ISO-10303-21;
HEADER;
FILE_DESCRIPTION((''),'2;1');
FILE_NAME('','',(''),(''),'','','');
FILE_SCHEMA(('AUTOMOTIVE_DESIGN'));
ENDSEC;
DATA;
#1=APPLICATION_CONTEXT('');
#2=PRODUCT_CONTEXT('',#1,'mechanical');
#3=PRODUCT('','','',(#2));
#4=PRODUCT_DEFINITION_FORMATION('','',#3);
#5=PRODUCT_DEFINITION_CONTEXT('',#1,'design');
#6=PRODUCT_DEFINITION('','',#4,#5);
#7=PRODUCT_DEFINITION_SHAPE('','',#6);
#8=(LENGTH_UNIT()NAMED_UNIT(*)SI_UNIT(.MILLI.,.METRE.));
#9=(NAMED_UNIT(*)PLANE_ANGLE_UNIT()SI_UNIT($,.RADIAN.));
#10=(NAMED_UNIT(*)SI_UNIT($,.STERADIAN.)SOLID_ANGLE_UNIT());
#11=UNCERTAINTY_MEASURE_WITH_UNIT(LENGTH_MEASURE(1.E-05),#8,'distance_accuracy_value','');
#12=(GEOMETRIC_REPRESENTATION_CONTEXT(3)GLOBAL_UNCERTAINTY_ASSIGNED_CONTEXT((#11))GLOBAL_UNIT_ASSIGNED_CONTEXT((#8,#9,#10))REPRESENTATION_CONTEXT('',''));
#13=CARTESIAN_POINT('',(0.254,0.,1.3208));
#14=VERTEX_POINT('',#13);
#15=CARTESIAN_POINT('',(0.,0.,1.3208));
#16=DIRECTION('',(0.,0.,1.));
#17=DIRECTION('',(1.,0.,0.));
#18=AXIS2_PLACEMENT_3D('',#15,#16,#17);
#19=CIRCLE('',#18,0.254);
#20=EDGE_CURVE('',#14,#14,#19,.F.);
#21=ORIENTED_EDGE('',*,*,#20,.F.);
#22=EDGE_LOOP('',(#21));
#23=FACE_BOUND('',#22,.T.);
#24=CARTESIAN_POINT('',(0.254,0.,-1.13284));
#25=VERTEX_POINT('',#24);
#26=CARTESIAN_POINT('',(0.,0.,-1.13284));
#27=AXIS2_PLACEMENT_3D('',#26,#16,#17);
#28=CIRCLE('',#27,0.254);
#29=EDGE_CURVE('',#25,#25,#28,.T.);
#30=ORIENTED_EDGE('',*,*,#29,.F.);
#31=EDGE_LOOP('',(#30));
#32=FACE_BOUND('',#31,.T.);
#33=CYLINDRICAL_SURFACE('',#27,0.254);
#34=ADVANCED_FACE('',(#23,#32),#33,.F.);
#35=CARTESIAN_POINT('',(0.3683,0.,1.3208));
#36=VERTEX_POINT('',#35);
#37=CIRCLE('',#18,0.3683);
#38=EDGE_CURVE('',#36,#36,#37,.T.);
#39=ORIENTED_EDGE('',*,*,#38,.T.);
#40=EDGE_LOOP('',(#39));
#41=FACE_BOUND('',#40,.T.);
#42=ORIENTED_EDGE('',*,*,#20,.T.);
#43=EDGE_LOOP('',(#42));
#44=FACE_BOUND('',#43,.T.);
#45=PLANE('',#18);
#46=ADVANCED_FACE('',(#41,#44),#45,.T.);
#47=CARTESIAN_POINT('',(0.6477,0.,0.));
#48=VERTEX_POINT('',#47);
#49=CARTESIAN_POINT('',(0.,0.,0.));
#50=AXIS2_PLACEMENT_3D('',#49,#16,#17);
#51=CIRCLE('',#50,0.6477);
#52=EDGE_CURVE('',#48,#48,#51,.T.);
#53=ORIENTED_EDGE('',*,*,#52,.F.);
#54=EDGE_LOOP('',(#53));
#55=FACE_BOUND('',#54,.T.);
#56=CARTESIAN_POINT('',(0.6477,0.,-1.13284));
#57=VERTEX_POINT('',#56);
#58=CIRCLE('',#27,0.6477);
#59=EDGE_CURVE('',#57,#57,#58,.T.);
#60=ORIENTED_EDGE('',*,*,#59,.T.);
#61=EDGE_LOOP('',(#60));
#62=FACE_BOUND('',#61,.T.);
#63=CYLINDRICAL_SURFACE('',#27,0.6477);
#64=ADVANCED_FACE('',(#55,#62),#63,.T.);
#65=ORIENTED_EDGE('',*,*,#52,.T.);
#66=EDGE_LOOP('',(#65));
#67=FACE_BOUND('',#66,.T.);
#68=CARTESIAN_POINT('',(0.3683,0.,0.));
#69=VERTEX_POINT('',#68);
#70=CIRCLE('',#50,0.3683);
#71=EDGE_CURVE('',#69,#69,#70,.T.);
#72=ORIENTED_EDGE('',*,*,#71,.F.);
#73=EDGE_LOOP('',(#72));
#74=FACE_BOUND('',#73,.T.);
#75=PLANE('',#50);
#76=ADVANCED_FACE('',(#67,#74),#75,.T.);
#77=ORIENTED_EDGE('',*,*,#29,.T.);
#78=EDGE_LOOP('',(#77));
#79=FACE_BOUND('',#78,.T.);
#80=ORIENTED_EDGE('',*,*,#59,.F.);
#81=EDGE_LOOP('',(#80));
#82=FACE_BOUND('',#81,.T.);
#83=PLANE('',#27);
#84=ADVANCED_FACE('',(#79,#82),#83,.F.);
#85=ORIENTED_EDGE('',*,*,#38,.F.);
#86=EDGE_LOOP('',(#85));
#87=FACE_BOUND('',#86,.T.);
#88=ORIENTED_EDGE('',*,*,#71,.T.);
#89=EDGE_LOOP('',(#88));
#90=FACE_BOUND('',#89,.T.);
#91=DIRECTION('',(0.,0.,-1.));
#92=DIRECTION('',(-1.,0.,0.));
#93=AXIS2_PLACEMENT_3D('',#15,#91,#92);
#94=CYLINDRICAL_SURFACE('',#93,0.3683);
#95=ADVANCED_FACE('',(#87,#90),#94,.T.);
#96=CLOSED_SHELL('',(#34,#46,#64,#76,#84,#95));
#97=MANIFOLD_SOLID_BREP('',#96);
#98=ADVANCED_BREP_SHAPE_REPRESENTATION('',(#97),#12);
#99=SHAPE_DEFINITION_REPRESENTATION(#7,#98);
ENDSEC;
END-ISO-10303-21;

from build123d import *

# Parameters (mm, degrees)
SKETCH1_R          = 0.6477
SKETCH1_R_2        = 0.254
EXTRUDE1_DEPTH     = 1.13284
SKETCH2_R          = 0.3683
EXTRUDE2_DEPTH     = 1.3208
CUT_EXTRUDE1_REACH = 3.607
SKETCH4_R          = 0.254


with BuildPart() as part:
    # Sketch1 → Extrude1 (new body)
    with BuildSketch(Plane.XY):
        Circle(SKETCH1_R)
        Circle(SKETCH1_R_2, mode=Mode.SUBTRACT)
    extrude(amount=-EXTRUDE1_DEPTH)

    # Sketch2 → Extrude2 (add)
    with BuildSketch(Plane.XY):
        Circle(SKETCH2_R)
    extrude(amount=EXTRUDE2_DEPTH)

    # Sketch4 → Cut-Extrude1 (cut, up to next)
    with BuildSketch(Plane(origin=(0, 0, 0), x_dir=(-1, 0, 0), z_dir=(0, 0, -1)), mode=Mode.PRIVATE) as cut_extrude1_sk1:
        with Locations(Location((0, 0, 0), (0, 0, 180))):
            Circle(SKETCH4_R)
    cut_extrude1_tool1 = extrude(cut_extrude1_sk1.sketch, amount=-CUT_EXTRUDE1_REACH, mode=Mode.PRIVATE) & part.part
    add(cut_extrude1_tool1.solids().sort_by_distance((0, 0, 0))[0], mode=Mode.SUBTRACT)


solid = part.part
